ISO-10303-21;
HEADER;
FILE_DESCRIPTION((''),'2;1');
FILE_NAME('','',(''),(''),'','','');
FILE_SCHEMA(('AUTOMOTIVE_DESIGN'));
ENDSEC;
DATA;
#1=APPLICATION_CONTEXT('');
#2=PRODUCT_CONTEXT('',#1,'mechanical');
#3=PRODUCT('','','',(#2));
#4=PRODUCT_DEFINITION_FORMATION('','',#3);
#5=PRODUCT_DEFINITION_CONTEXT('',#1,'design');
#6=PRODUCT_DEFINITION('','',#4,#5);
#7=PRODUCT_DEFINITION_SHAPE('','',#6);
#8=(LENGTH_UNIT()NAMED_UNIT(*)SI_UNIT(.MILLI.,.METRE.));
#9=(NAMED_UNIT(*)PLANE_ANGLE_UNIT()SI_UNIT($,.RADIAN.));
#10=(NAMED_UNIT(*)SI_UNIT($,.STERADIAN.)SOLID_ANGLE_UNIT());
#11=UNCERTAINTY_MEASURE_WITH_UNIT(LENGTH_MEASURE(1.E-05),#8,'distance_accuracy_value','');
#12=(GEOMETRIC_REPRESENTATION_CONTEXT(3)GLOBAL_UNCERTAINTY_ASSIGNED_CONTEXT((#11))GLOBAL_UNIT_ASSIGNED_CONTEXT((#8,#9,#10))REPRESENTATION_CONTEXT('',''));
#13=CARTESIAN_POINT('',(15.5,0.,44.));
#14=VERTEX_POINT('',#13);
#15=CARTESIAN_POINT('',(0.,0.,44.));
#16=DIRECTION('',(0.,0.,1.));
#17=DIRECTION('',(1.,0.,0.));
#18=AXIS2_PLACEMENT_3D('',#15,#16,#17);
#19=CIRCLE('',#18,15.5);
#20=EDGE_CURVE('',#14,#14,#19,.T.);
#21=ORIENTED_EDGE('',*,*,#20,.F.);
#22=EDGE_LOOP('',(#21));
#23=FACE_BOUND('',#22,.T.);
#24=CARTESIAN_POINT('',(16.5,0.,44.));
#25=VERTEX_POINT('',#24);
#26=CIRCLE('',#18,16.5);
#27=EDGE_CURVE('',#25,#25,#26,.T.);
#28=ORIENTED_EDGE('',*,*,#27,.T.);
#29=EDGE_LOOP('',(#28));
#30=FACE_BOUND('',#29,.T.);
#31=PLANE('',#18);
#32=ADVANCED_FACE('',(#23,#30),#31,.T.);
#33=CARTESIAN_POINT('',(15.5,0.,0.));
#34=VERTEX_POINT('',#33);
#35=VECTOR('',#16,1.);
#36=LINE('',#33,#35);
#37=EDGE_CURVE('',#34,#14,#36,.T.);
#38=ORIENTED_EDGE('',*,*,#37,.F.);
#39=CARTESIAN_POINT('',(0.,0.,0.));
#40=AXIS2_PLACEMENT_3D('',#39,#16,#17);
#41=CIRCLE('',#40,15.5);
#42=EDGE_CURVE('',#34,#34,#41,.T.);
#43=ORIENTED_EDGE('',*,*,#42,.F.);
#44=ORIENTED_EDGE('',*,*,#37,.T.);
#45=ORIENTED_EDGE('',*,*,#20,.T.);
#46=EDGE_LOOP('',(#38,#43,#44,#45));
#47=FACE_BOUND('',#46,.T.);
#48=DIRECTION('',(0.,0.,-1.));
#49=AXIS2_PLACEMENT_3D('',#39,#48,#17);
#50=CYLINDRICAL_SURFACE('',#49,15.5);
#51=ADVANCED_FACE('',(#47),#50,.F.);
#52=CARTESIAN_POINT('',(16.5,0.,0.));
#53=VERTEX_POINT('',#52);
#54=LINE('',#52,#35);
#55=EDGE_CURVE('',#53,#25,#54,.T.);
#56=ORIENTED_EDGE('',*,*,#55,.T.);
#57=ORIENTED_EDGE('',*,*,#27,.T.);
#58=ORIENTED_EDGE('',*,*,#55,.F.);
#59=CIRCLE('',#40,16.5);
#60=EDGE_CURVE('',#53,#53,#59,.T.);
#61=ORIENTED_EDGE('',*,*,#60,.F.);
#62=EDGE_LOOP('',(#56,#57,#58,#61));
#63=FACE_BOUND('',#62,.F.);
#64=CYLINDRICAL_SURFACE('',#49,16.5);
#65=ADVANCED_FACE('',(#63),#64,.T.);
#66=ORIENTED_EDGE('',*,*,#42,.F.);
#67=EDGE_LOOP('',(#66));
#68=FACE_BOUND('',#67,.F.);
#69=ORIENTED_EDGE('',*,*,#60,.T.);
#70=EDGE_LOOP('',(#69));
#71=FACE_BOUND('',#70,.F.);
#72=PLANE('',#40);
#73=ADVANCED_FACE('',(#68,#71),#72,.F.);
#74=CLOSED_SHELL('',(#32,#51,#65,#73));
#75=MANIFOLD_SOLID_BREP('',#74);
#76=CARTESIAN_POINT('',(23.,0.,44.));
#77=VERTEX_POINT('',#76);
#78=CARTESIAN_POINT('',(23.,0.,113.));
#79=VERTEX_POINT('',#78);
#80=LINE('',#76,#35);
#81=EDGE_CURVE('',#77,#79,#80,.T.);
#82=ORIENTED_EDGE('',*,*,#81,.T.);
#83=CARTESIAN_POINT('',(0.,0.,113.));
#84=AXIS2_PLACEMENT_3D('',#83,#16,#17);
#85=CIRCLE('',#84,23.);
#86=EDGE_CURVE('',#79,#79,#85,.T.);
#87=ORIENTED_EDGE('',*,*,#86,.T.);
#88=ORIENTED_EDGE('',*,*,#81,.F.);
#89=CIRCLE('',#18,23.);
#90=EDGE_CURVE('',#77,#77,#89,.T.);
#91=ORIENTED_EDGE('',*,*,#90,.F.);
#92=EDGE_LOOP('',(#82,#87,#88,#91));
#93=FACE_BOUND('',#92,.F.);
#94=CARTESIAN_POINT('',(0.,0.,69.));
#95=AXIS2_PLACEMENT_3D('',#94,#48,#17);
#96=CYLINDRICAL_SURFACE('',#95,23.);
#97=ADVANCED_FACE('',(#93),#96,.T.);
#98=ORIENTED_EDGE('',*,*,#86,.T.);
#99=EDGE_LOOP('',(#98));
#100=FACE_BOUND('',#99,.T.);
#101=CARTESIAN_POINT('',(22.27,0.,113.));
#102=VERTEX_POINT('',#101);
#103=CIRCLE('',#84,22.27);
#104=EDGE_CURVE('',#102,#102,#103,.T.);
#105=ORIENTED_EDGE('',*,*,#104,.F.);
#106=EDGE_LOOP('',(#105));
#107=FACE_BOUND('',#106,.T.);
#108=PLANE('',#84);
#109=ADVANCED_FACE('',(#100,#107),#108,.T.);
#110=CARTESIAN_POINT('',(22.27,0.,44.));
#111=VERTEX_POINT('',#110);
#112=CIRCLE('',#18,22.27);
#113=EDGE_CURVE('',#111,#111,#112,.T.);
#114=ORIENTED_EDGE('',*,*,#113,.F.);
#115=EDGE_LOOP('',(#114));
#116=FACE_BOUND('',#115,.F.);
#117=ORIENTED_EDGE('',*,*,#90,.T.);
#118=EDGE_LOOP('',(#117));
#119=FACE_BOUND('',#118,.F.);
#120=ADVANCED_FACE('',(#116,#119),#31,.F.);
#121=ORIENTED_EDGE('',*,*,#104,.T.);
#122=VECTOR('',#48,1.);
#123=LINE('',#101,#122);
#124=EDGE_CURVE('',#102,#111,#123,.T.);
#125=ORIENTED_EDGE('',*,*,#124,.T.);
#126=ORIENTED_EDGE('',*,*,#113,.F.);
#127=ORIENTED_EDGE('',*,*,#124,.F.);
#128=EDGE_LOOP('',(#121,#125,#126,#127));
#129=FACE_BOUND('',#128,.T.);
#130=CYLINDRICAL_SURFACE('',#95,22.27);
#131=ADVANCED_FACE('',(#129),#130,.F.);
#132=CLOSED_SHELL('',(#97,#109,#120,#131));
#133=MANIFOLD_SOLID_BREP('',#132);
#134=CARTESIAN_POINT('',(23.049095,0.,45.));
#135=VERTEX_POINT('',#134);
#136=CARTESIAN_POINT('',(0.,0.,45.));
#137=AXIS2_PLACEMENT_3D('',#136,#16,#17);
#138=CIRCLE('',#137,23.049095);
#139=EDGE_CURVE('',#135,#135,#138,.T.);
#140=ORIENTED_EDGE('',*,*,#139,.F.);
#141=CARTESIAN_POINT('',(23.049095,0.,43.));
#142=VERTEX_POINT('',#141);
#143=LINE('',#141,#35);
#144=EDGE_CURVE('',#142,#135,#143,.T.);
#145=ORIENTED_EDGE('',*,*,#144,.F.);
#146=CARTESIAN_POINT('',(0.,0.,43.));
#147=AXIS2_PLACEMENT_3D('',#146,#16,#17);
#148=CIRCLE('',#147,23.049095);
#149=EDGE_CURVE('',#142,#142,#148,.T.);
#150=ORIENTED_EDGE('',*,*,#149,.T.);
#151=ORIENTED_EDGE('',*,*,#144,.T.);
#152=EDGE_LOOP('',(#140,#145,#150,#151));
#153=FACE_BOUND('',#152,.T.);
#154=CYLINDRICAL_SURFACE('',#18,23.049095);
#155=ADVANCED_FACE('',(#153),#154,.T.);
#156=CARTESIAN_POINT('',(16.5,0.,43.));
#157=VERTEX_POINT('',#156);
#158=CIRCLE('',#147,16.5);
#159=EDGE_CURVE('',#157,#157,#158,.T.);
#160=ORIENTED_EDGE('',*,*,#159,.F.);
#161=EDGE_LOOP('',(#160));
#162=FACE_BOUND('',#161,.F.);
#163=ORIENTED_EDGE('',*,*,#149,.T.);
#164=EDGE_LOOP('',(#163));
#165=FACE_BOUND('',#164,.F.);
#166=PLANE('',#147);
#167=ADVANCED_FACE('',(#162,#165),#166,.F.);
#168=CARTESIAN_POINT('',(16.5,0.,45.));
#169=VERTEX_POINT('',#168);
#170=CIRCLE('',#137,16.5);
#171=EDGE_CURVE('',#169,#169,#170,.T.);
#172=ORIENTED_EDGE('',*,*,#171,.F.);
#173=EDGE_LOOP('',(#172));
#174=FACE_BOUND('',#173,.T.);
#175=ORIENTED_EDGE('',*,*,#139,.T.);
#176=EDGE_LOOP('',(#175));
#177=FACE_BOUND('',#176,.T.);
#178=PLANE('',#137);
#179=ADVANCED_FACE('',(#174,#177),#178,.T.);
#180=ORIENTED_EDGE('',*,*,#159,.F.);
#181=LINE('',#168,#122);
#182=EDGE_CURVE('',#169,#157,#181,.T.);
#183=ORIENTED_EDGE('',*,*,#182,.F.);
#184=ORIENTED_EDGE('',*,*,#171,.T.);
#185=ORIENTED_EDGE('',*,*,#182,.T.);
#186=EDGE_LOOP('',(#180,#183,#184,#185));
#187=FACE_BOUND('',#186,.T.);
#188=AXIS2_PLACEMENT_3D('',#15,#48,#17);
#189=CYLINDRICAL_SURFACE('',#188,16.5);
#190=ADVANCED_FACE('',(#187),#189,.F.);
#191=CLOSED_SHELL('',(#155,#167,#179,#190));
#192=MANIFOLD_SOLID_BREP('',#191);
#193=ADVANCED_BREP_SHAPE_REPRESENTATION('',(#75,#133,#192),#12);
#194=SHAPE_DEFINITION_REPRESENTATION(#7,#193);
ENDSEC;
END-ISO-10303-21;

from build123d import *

# Parameters (mm, degrees)
F0_R        = 16.5
F0_R_2      = 15.5
F1_DEPTH    = 44
F2_R        = 23
F2_R_2      = 22.27
F3_DEPTH    = 25
F3_FACE_R   = 23
F3_FACE_R_2 = 22.27
F4_DEPTH    = 44
F5_R        = 23.049095
F5_R_2      = 16.5
F6_DEPTH    = 1


with BuildPart() as f1:
    # F0 (on Top) → F1 (new body)
    with BuildSketch(Plane.XY):
        Circle(F0_R)
        Circle(F0_R_2, mode=Mode.SUBTRACT)
    extrude(amount=F1_DEPTH)


with BuildPart() as f3:
    # F2 (on face) → F3 (new body)
    with BuildSketch(Plane.XY.offset(44)):
        Circle(F2_R)
        Circle(F2_R_2, mode=Mode.SUBTRACT)
    extrude(amount=F3_DEPTH)

    # F3_face (on face) → F4 (join)
    with BuildSketch(Plane.XY.offset(69)):
        Circle(F3_FACE_R)
        Circle(F3_FACE_R_2, mode=Mode.SUBTRACT)
    extrude(amount=F4_DEPTH)


with BuildPart() as f6:
    # F5 (on face) → F6 (new body, symmetric)
    with BuildSketch(Plane.XY.offset(44)):
        Circle(F5_R)
        Circle(F5_R_2, mode=Mode.SUBTRACT)
    extrude(amount=F6_DEPTH, both=True)


solid = Compound([f1.part, f3.part, f6.part])
